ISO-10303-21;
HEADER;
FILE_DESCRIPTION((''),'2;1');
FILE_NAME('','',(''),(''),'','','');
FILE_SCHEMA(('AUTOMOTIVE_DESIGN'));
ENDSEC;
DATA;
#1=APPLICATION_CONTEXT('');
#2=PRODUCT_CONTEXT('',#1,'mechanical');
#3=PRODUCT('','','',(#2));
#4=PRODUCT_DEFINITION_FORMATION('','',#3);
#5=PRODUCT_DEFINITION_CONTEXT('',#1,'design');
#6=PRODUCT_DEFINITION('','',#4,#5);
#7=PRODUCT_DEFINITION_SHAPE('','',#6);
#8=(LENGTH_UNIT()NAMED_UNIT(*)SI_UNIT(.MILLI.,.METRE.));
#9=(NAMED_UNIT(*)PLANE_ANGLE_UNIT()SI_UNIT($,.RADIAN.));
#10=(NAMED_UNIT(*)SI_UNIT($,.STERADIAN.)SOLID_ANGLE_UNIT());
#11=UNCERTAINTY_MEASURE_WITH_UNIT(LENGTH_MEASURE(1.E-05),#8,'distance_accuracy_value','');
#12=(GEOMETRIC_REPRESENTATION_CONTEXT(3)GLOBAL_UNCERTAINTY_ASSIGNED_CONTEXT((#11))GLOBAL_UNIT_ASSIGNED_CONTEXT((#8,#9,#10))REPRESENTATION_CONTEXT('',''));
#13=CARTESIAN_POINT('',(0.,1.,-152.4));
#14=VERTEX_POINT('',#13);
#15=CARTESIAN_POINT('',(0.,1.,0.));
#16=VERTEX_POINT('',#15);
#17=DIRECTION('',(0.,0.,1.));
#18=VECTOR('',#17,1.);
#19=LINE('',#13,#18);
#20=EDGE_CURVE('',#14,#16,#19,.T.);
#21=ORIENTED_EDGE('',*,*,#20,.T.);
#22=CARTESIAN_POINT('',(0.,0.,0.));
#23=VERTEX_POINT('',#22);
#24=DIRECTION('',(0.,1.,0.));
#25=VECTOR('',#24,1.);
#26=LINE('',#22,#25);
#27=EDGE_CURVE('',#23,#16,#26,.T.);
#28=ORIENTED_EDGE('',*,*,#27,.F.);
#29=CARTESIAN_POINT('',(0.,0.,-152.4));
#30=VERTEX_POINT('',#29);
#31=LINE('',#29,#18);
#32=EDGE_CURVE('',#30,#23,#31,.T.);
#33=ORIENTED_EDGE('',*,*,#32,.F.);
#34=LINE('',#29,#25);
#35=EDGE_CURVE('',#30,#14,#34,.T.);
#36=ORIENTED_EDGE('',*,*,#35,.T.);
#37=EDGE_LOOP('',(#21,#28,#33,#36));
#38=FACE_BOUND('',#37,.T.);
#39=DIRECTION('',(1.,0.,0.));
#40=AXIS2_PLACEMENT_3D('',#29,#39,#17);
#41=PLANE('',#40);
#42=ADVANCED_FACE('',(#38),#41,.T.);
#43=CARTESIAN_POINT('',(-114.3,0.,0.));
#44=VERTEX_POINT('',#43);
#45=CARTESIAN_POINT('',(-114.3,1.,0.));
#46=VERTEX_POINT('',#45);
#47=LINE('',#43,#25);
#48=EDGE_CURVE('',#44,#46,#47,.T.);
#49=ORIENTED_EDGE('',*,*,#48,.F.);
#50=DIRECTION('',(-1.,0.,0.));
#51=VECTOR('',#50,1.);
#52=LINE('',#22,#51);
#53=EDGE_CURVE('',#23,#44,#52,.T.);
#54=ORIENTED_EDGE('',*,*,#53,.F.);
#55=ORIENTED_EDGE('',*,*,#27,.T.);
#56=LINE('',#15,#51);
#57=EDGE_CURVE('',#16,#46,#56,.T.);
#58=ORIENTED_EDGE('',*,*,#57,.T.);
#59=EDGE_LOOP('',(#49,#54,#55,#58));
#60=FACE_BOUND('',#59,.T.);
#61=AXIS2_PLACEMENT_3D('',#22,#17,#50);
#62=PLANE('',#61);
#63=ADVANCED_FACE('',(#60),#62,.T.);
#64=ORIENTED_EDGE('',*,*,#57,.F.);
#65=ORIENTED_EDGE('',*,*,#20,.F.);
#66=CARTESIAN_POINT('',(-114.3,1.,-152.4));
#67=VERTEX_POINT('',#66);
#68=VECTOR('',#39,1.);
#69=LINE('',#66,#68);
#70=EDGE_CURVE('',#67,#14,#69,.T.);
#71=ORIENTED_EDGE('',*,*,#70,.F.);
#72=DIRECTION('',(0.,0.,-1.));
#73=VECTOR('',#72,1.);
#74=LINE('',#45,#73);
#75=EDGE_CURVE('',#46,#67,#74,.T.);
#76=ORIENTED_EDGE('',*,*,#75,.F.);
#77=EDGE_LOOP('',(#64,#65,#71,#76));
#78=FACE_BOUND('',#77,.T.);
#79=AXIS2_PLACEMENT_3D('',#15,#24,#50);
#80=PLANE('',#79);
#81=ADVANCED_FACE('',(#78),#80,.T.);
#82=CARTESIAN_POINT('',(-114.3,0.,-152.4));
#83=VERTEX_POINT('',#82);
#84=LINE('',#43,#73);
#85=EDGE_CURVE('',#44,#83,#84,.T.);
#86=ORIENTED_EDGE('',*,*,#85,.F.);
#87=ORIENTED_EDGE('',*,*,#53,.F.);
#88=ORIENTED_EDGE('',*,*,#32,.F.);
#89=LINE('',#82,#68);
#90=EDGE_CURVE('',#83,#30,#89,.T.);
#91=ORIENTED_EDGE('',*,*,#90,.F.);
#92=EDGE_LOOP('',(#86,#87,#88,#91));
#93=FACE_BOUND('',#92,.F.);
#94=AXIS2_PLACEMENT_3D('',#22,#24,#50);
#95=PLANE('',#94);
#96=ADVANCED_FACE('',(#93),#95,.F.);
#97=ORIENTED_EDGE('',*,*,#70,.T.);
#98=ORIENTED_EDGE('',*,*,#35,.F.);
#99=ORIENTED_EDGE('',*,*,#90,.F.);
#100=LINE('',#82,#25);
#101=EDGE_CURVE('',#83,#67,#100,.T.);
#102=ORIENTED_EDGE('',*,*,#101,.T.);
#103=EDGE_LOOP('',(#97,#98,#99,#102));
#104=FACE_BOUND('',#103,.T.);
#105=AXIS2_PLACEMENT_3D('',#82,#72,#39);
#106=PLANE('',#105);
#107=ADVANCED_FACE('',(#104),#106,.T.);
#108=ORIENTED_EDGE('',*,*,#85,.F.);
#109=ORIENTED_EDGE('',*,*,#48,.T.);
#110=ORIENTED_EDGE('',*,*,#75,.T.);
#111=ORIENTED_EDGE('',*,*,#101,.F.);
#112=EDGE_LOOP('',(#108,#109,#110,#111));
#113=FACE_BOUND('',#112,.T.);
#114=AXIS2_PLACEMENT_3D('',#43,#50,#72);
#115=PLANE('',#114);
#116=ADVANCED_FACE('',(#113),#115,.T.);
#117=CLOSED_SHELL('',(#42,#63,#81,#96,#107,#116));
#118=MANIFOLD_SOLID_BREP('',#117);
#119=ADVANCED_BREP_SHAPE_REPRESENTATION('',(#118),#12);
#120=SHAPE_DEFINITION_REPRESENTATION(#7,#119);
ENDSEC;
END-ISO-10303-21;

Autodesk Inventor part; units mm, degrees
ref_plane "YZ Plane" through (0, 0, 0) normal (1, 0, 0) x (0, 1, 0)
ref_plane "XZ Plane" through (0, 0, 0) normal (0, 1, 0) x (-1, 0, 0)
ref_plane "XY Plane" through (0, 0, 0) normal (0, 0, 1) x (1, 0, 0)
sketch "Sketch1" plane through (0, 0, 0) normal (0, 1, 0) x (-1, 0, 0)
  line L0 (0, 0) -> (114.3, 0)
  line L1 (114.3, 0) -> (114.3, -152.4)
  line L2 (114.3, -152.4) -> (0, -152.4)
  line L3 (0, -152.4) -> (0, 0)
  dimension "d0" = 114.3
  dimension "d1" = 152.4
extrude "Extrusion1" add sketch "Sketch1" along normal blind 1
properties part number "thermal_pad"
